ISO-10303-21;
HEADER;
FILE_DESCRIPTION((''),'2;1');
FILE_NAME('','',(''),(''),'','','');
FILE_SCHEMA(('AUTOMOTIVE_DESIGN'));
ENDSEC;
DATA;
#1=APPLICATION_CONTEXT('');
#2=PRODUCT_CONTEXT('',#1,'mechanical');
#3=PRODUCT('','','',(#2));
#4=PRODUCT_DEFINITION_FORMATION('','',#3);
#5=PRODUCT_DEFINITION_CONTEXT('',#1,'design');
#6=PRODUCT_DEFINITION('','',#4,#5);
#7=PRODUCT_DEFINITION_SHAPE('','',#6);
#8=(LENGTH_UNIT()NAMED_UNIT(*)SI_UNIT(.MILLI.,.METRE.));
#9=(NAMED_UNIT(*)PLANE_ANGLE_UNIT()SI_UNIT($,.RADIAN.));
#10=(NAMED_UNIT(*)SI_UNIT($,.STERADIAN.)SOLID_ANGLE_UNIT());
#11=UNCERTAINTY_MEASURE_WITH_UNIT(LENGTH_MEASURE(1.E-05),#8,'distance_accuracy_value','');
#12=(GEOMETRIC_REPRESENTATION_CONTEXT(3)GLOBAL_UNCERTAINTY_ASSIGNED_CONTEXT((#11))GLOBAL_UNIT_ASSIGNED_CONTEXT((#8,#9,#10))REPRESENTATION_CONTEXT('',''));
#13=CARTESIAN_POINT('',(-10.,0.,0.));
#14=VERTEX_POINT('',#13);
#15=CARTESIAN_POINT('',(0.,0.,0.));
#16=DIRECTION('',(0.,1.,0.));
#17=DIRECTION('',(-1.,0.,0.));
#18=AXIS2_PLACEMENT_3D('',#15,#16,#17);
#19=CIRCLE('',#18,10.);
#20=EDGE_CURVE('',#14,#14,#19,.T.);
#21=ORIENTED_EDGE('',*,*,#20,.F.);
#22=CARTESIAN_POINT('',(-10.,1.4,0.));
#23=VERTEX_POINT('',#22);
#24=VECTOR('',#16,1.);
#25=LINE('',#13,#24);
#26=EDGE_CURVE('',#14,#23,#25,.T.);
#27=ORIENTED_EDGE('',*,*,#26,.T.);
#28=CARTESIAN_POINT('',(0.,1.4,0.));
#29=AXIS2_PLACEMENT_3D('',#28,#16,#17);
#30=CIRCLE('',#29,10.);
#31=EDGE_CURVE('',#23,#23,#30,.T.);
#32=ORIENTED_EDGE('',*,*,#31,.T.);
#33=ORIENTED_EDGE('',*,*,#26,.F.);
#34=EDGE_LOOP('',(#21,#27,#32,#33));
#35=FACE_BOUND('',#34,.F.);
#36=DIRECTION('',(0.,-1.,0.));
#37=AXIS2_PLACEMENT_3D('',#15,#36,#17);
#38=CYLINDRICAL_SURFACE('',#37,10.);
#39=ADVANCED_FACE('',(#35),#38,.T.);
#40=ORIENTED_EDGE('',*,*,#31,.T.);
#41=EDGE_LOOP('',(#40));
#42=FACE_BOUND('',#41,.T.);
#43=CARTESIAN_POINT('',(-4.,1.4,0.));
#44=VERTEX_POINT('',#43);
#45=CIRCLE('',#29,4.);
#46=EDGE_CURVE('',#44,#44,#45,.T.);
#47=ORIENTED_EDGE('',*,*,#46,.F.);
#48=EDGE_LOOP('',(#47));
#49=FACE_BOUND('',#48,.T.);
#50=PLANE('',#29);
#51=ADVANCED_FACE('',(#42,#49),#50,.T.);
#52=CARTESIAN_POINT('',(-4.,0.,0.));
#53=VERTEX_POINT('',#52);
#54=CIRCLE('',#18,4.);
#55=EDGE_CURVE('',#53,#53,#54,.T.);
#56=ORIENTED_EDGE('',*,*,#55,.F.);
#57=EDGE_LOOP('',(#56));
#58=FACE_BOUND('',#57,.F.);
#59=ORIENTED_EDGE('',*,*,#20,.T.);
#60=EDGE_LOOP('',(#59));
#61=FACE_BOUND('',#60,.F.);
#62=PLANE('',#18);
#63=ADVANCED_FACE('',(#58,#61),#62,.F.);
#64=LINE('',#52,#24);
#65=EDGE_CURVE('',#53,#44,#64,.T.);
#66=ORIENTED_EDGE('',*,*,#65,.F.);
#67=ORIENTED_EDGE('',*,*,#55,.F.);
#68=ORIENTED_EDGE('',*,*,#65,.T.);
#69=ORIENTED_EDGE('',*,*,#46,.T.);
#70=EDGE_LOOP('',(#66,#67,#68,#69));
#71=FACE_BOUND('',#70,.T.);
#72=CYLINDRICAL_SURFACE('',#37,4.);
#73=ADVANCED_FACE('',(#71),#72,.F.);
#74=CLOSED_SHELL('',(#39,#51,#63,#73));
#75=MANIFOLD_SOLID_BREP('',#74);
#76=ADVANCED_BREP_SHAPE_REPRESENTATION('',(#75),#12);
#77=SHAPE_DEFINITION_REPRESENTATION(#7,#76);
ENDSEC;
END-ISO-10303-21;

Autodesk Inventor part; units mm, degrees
ref_plane "YZ Plane" through (0, 0, 0) normal (1, 0, 0) x (0, 1, 0)
ref_plane "XZ Plane" through (0, 0, 0) normal (0, 1, 0) x (-1, 0, 0)
ref_plane "XY Plane" through (0, 0, 0) normal (0, 0, 1) x (1, 0, 0)
sketch "スケッチ1" plane through (0, 0, 0) normal (0, 1, 0) x (-1, 0, 0)
  circle A0 centre (0, 0) radius 10
  circle A1 centre (0, 0) radius 4
  dimension "d0" = 20
  dimension "d2" = 8
extrude "押し出し1" add sketch "スケッチ1" along normal blind 1.4
properties part number "01" material "アセタール樹脂、白"
